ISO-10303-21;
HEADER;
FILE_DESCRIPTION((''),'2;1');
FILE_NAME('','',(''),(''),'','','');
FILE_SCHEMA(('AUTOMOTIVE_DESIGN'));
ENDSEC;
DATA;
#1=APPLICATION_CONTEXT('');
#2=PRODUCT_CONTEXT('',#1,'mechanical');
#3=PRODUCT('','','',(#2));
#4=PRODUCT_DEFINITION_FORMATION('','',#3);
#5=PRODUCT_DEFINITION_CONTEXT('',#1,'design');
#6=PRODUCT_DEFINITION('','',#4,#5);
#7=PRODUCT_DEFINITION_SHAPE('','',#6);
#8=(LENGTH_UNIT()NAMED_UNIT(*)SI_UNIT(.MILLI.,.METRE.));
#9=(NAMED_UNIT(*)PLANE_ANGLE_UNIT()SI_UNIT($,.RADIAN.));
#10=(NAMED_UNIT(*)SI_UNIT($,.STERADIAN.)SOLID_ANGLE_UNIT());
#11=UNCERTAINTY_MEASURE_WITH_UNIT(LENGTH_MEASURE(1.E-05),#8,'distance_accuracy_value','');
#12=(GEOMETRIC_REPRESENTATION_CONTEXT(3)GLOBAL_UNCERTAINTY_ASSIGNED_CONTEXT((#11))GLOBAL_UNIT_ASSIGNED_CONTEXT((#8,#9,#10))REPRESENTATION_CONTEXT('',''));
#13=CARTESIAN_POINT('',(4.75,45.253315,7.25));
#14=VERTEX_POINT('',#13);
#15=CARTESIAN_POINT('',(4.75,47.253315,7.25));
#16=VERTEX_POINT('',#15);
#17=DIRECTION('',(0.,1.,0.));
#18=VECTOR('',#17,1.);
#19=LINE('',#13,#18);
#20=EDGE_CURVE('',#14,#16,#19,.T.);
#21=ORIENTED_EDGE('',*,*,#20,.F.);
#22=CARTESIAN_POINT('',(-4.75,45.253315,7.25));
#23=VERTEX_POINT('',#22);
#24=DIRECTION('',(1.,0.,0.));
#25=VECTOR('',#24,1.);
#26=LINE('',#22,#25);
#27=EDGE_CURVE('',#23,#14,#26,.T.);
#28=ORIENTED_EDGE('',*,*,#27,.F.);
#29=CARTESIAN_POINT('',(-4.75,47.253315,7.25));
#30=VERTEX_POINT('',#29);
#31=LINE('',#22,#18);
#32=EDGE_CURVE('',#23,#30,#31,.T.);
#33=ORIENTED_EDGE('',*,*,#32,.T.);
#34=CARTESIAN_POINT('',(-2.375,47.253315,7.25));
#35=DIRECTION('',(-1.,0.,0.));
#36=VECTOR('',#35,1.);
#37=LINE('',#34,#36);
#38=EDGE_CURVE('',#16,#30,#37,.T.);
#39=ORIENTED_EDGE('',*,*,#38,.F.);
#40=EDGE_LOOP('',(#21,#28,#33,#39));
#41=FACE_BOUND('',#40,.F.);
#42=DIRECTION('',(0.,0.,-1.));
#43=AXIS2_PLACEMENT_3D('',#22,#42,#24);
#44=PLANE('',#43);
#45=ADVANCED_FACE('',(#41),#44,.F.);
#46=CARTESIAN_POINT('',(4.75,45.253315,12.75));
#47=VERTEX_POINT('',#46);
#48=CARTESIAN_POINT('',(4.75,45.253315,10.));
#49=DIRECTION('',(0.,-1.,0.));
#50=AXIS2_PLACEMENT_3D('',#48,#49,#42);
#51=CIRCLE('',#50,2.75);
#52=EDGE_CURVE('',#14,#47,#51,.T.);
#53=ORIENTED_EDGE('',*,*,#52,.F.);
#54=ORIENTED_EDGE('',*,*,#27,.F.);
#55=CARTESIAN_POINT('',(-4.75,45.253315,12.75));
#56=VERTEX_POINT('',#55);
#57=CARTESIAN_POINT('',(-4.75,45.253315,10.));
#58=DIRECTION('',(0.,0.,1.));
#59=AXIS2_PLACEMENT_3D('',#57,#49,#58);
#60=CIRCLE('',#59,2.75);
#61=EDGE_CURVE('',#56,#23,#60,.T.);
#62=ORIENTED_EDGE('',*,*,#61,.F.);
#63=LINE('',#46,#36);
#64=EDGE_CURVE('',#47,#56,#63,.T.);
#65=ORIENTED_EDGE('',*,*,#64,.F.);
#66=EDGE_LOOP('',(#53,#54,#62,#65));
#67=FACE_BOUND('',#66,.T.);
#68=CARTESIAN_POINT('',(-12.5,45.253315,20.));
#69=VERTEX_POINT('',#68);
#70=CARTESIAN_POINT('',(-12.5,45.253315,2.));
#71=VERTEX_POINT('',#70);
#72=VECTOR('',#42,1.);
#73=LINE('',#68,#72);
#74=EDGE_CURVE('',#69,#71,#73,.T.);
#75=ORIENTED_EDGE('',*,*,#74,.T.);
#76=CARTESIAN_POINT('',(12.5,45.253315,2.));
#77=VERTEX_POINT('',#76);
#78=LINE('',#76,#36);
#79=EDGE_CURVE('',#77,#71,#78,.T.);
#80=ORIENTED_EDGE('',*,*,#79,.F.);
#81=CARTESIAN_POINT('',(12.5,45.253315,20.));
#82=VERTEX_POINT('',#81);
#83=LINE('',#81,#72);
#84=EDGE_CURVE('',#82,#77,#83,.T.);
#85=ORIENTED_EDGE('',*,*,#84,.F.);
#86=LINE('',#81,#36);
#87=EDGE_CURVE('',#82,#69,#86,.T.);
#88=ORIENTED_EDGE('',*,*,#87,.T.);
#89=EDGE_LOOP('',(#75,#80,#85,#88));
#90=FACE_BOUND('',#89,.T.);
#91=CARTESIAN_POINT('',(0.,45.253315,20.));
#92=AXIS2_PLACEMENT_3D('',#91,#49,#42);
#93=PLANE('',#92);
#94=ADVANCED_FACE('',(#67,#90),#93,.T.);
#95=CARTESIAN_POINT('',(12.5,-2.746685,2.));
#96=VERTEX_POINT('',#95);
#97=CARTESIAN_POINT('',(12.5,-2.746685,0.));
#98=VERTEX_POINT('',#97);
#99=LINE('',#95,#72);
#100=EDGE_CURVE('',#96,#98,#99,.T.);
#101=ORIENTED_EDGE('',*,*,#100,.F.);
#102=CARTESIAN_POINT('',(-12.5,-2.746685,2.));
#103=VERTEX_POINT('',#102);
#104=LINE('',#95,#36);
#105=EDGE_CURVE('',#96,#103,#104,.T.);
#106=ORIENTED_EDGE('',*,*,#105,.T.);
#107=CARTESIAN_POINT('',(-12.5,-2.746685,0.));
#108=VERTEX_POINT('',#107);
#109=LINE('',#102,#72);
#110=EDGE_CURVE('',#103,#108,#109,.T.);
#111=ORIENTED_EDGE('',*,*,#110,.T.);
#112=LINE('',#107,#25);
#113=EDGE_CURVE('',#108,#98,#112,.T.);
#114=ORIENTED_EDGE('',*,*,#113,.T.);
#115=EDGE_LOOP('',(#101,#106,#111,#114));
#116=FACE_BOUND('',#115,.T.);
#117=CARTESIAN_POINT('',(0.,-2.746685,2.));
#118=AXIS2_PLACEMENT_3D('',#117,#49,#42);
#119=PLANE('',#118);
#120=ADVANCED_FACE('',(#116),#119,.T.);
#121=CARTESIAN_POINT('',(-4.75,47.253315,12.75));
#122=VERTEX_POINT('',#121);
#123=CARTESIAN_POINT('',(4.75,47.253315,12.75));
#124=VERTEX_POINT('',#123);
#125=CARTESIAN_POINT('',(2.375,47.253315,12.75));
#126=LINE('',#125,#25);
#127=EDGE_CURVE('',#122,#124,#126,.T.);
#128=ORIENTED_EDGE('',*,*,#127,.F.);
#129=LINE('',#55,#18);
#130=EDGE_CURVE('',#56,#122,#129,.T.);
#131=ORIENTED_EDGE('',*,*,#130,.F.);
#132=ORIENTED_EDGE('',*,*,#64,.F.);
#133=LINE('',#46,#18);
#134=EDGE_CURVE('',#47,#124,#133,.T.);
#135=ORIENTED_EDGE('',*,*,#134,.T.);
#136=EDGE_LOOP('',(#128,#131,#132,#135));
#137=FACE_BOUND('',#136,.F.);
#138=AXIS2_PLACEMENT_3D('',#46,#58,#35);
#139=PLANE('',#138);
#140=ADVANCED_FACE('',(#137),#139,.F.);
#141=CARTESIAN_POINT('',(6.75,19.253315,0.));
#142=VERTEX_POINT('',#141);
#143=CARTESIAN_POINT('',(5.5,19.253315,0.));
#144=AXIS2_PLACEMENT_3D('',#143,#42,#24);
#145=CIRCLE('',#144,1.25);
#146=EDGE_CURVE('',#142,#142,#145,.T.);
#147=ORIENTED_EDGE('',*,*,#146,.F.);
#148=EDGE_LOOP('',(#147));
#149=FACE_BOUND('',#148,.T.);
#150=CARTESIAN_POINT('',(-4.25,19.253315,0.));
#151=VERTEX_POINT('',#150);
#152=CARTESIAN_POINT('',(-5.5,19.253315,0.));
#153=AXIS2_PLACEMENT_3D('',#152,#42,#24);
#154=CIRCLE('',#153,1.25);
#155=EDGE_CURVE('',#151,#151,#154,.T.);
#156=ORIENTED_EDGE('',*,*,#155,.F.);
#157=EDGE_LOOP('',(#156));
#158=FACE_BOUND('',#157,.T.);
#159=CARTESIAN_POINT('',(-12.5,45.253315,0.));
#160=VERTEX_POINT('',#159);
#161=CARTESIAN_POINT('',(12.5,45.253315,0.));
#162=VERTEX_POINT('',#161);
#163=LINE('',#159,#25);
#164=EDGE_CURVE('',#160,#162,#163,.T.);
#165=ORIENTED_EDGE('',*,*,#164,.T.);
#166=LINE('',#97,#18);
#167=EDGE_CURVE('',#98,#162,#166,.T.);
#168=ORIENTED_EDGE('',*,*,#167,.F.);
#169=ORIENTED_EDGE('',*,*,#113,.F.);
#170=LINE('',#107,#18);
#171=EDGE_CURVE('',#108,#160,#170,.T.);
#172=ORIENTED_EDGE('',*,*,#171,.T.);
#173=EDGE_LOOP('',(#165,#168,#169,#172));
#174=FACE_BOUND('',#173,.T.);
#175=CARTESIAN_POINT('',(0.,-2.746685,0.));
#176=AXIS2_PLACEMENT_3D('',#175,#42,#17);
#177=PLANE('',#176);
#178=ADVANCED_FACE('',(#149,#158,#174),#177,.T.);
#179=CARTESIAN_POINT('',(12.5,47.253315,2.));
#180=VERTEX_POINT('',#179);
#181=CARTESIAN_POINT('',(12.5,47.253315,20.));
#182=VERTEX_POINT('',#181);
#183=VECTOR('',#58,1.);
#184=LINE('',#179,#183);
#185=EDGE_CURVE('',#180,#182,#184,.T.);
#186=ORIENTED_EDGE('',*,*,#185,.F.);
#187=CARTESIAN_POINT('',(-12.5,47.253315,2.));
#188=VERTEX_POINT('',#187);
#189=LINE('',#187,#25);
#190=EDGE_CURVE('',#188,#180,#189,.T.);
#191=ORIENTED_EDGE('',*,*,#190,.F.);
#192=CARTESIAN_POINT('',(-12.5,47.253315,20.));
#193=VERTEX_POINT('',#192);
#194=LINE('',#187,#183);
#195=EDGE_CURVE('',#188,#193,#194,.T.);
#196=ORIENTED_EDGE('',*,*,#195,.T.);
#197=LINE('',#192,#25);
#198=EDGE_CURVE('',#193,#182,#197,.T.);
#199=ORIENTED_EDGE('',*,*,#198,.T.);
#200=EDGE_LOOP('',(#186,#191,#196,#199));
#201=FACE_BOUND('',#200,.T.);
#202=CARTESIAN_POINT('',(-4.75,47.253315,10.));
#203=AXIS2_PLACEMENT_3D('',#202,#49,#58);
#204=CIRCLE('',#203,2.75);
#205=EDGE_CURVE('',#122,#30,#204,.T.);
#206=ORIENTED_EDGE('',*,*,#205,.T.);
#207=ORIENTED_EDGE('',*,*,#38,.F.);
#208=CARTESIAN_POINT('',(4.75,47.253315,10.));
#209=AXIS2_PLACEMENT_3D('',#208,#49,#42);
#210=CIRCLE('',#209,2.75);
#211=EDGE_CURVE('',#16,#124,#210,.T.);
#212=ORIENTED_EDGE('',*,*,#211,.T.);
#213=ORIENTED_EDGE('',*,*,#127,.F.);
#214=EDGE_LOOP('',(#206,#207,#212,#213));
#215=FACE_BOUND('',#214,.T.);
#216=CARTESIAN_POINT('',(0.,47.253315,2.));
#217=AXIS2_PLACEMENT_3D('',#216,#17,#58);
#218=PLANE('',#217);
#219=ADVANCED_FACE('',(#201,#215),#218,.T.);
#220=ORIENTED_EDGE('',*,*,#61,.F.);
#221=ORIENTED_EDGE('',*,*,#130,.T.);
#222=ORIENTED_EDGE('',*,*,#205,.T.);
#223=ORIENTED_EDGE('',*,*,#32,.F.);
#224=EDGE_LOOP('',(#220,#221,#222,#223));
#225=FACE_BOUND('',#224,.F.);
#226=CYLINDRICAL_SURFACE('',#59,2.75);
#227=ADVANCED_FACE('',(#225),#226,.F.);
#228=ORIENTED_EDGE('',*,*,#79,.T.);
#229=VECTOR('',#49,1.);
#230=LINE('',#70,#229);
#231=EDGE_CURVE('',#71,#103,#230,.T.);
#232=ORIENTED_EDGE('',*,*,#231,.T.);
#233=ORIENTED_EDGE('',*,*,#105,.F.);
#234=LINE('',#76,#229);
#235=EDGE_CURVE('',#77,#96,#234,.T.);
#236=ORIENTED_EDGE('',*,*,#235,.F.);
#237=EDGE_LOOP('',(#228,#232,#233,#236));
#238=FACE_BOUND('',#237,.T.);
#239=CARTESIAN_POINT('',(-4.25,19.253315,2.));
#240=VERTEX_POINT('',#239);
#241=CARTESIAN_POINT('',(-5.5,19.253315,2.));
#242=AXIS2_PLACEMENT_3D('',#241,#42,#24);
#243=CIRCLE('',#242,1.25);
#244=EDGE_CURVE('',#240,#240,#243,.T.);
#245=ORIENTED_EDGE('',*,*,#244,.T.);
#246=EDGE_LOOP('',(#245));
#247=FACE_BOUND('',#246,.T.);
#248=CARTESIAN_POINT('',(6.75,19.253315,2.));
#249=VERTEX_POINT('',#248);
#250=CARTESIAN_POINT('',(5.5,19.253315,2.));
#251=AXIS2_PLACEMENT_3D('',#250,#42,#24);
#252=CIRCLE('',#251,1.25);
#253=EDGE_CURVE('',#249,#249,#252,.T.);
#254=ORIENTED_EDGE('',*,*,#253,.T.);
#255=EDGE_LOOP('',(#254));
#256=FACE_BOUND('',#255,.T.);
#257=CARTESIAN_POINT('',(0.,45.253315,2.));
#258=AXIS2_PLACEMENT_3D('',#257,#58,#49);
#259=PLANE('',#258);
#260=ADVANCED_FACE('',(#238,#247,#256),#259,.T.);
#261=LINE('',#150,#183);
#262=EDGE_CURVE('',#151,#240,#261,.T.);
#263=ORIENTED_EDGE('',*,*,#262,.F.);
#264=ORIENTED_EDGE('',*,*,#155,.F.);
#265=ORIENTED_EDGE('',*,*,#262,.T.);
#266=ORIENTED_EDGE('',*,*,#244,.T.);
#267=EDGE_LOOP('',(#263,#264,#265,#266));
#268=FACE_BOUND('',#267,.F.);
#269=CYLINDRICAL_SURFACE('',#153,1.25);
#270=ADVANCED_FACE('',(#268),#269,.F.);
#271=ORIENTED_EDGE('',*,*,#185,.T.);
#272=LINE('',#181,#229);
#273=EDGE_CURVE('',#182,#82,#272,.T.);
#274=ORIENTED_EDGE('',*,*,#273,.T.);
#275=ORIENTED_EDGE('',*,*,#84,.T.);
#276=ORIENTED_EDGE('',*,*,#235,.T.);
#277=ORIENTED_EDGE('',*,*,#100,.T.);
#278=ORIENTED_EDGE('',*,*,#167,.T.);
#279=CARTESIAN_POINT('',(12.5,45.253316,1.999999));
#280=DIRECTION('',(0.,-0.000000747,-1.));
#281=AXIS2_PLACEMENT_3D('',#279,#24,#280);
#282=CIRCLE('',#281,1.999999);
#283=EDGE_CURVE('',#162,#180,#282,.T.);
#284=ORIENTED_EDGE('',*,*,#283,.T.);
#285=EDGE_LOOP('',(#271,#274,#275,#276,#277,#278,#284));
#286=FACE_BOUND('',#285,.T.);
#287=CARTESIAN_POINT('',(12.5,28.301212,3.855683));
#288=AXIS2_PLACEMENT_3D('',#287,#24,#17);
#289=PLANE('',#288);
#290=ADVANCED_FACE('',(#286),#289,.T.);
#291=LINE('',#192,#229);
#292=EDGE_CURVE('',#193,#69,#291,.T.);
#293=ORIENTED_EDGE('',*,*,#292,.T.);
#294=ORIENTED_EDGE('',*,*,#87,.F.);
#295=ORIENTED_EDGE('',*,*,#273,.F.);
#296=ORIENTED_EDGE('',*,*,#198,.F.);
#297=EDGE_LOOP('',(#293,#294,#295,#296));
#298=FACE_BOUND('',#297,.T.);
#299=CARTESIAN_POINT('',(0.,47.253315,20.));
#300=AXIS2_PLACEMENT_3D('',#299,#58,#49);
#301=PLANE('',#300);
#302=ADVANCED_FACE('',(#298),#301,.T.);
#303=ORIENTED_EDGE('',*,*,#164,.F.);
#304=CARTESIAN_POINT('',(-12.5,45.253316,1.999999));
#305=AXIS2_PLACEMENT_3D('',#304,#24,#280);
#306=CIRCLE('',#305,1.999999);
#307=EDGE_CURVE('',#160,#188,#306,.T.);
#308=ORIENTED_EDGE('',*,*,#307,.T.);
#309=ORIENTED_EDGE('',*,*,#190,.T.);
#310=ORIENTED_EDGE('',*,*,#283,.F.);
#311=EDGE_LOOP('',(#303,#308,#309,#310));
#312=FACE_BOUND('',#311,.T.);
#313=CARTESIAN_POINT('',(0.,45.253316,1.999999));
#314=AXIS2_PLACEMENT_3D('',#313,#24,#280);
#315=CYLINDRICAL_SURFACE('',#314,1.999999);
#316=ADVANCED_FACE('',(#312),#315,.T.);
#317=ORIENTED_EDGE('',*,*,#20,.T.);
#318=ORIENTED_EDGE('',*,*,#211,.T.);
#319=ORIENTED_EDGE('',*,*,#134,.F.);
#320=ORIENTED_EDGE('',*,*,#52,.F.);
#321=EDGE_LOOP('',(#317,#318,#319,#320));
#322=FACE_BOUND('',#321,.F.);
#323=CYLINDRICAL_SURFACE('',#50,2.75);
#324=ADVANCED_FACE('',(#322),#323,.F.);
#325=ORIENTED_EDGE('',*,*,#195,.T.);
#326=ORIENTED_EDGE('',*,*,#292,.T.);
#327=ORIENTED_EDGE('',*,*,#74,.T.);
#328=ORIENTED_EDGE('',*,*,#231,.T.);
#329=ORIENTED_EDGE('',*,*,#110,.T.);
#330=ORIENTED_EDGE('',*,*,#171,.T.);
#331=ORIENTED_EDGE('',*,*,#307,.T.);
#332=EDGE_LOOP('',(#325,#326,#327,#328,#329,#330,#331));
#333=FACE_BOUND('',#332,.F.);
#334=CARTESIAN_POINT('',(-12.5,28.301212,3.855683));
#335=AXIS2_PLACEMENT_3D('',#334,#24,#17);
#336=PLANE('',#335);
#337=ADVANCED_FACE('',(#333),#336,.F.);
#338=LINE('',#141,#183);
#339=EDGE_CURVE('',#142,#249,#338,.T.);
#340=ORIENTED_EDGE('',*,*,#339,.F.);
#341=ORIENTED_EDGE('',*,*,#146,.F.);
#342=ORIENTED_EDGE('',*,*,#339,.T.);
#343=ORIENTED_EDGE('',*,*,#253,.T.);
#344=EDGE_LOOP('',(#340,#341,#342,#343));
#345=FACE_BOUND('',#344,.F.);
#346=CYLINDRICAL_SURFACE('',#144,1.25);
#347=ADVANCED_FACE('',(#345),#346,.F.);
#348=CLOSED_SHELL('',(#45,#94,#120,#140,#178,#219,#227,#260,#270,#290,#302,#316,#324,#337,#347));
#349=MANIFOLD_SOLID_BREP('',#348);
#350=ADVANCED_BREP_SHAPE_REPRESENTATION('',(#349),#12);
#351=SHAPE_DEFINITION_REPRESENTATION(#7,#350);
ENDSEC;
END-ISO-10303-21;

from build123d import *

# Parameters (mm, degrees)
F1_DEPTH = 12.5
F3_DEPTH = 25
F4_R     = 1.25
F5_DEPTH = 25


with BuildPart() as f1:
    # F0 (on Right) → F1 (new body, symmetric)
    with BuildSketch(Plane.YZ):
        with BuildLine():
            Line((-2.746685, 2), (-2.746685, 0))
            Line((-2.746685, 0), (45.253315, 0))
            ThreePointArc((45.253315, 0), (46.667529, 0.585786), (47.253315, 2))
            Line((47.253315, 2), (47.253315, 20))
            Line((47.253315, 20), (45.253315, 20))
            Line((45.253315, 20), (45.253315, 2))
            Line((45.253315, 2), (-2.746685, 2))
        make_face()
    extrude(amount=F1_DEPTH, both=True)

    # F2 (on face) → F3 (cut)
    with BuildSketch(Plane.XZ.offset(-45.253315)):
        with BuildLine():
            Line((4.75, 12.75), (-4.75, 12.75))
            ThreePointArc((-4.75, 12.75), (-7.5, 10), (-4.75, 7.25))
            Line((-4.75, 7.25), (4.75, 7.25))
            ThreePointArc((4.75, 7.25), (7.5, 10), (4.75, 12.75))
        make_face()
    extrude(amount=-F3_DEPTH, mode=Mode.SUBTRACT)

    # F4 (on face) → F5 (cut)
    with BuildSketch(Plane(origin=(0, 0, 0), x_dir=(1, 0, 0), z_dir=(0, 0, -1))):
        with Locations((5.5, -19.253315)):
            Circle(F4_R)
        with Locations((-5.5, -19.253315)):
            Circle(F4_R)
    extrude(amount=-F5_DEPTH, mode=Mode.SUBTRACT)


solid = f1.part
